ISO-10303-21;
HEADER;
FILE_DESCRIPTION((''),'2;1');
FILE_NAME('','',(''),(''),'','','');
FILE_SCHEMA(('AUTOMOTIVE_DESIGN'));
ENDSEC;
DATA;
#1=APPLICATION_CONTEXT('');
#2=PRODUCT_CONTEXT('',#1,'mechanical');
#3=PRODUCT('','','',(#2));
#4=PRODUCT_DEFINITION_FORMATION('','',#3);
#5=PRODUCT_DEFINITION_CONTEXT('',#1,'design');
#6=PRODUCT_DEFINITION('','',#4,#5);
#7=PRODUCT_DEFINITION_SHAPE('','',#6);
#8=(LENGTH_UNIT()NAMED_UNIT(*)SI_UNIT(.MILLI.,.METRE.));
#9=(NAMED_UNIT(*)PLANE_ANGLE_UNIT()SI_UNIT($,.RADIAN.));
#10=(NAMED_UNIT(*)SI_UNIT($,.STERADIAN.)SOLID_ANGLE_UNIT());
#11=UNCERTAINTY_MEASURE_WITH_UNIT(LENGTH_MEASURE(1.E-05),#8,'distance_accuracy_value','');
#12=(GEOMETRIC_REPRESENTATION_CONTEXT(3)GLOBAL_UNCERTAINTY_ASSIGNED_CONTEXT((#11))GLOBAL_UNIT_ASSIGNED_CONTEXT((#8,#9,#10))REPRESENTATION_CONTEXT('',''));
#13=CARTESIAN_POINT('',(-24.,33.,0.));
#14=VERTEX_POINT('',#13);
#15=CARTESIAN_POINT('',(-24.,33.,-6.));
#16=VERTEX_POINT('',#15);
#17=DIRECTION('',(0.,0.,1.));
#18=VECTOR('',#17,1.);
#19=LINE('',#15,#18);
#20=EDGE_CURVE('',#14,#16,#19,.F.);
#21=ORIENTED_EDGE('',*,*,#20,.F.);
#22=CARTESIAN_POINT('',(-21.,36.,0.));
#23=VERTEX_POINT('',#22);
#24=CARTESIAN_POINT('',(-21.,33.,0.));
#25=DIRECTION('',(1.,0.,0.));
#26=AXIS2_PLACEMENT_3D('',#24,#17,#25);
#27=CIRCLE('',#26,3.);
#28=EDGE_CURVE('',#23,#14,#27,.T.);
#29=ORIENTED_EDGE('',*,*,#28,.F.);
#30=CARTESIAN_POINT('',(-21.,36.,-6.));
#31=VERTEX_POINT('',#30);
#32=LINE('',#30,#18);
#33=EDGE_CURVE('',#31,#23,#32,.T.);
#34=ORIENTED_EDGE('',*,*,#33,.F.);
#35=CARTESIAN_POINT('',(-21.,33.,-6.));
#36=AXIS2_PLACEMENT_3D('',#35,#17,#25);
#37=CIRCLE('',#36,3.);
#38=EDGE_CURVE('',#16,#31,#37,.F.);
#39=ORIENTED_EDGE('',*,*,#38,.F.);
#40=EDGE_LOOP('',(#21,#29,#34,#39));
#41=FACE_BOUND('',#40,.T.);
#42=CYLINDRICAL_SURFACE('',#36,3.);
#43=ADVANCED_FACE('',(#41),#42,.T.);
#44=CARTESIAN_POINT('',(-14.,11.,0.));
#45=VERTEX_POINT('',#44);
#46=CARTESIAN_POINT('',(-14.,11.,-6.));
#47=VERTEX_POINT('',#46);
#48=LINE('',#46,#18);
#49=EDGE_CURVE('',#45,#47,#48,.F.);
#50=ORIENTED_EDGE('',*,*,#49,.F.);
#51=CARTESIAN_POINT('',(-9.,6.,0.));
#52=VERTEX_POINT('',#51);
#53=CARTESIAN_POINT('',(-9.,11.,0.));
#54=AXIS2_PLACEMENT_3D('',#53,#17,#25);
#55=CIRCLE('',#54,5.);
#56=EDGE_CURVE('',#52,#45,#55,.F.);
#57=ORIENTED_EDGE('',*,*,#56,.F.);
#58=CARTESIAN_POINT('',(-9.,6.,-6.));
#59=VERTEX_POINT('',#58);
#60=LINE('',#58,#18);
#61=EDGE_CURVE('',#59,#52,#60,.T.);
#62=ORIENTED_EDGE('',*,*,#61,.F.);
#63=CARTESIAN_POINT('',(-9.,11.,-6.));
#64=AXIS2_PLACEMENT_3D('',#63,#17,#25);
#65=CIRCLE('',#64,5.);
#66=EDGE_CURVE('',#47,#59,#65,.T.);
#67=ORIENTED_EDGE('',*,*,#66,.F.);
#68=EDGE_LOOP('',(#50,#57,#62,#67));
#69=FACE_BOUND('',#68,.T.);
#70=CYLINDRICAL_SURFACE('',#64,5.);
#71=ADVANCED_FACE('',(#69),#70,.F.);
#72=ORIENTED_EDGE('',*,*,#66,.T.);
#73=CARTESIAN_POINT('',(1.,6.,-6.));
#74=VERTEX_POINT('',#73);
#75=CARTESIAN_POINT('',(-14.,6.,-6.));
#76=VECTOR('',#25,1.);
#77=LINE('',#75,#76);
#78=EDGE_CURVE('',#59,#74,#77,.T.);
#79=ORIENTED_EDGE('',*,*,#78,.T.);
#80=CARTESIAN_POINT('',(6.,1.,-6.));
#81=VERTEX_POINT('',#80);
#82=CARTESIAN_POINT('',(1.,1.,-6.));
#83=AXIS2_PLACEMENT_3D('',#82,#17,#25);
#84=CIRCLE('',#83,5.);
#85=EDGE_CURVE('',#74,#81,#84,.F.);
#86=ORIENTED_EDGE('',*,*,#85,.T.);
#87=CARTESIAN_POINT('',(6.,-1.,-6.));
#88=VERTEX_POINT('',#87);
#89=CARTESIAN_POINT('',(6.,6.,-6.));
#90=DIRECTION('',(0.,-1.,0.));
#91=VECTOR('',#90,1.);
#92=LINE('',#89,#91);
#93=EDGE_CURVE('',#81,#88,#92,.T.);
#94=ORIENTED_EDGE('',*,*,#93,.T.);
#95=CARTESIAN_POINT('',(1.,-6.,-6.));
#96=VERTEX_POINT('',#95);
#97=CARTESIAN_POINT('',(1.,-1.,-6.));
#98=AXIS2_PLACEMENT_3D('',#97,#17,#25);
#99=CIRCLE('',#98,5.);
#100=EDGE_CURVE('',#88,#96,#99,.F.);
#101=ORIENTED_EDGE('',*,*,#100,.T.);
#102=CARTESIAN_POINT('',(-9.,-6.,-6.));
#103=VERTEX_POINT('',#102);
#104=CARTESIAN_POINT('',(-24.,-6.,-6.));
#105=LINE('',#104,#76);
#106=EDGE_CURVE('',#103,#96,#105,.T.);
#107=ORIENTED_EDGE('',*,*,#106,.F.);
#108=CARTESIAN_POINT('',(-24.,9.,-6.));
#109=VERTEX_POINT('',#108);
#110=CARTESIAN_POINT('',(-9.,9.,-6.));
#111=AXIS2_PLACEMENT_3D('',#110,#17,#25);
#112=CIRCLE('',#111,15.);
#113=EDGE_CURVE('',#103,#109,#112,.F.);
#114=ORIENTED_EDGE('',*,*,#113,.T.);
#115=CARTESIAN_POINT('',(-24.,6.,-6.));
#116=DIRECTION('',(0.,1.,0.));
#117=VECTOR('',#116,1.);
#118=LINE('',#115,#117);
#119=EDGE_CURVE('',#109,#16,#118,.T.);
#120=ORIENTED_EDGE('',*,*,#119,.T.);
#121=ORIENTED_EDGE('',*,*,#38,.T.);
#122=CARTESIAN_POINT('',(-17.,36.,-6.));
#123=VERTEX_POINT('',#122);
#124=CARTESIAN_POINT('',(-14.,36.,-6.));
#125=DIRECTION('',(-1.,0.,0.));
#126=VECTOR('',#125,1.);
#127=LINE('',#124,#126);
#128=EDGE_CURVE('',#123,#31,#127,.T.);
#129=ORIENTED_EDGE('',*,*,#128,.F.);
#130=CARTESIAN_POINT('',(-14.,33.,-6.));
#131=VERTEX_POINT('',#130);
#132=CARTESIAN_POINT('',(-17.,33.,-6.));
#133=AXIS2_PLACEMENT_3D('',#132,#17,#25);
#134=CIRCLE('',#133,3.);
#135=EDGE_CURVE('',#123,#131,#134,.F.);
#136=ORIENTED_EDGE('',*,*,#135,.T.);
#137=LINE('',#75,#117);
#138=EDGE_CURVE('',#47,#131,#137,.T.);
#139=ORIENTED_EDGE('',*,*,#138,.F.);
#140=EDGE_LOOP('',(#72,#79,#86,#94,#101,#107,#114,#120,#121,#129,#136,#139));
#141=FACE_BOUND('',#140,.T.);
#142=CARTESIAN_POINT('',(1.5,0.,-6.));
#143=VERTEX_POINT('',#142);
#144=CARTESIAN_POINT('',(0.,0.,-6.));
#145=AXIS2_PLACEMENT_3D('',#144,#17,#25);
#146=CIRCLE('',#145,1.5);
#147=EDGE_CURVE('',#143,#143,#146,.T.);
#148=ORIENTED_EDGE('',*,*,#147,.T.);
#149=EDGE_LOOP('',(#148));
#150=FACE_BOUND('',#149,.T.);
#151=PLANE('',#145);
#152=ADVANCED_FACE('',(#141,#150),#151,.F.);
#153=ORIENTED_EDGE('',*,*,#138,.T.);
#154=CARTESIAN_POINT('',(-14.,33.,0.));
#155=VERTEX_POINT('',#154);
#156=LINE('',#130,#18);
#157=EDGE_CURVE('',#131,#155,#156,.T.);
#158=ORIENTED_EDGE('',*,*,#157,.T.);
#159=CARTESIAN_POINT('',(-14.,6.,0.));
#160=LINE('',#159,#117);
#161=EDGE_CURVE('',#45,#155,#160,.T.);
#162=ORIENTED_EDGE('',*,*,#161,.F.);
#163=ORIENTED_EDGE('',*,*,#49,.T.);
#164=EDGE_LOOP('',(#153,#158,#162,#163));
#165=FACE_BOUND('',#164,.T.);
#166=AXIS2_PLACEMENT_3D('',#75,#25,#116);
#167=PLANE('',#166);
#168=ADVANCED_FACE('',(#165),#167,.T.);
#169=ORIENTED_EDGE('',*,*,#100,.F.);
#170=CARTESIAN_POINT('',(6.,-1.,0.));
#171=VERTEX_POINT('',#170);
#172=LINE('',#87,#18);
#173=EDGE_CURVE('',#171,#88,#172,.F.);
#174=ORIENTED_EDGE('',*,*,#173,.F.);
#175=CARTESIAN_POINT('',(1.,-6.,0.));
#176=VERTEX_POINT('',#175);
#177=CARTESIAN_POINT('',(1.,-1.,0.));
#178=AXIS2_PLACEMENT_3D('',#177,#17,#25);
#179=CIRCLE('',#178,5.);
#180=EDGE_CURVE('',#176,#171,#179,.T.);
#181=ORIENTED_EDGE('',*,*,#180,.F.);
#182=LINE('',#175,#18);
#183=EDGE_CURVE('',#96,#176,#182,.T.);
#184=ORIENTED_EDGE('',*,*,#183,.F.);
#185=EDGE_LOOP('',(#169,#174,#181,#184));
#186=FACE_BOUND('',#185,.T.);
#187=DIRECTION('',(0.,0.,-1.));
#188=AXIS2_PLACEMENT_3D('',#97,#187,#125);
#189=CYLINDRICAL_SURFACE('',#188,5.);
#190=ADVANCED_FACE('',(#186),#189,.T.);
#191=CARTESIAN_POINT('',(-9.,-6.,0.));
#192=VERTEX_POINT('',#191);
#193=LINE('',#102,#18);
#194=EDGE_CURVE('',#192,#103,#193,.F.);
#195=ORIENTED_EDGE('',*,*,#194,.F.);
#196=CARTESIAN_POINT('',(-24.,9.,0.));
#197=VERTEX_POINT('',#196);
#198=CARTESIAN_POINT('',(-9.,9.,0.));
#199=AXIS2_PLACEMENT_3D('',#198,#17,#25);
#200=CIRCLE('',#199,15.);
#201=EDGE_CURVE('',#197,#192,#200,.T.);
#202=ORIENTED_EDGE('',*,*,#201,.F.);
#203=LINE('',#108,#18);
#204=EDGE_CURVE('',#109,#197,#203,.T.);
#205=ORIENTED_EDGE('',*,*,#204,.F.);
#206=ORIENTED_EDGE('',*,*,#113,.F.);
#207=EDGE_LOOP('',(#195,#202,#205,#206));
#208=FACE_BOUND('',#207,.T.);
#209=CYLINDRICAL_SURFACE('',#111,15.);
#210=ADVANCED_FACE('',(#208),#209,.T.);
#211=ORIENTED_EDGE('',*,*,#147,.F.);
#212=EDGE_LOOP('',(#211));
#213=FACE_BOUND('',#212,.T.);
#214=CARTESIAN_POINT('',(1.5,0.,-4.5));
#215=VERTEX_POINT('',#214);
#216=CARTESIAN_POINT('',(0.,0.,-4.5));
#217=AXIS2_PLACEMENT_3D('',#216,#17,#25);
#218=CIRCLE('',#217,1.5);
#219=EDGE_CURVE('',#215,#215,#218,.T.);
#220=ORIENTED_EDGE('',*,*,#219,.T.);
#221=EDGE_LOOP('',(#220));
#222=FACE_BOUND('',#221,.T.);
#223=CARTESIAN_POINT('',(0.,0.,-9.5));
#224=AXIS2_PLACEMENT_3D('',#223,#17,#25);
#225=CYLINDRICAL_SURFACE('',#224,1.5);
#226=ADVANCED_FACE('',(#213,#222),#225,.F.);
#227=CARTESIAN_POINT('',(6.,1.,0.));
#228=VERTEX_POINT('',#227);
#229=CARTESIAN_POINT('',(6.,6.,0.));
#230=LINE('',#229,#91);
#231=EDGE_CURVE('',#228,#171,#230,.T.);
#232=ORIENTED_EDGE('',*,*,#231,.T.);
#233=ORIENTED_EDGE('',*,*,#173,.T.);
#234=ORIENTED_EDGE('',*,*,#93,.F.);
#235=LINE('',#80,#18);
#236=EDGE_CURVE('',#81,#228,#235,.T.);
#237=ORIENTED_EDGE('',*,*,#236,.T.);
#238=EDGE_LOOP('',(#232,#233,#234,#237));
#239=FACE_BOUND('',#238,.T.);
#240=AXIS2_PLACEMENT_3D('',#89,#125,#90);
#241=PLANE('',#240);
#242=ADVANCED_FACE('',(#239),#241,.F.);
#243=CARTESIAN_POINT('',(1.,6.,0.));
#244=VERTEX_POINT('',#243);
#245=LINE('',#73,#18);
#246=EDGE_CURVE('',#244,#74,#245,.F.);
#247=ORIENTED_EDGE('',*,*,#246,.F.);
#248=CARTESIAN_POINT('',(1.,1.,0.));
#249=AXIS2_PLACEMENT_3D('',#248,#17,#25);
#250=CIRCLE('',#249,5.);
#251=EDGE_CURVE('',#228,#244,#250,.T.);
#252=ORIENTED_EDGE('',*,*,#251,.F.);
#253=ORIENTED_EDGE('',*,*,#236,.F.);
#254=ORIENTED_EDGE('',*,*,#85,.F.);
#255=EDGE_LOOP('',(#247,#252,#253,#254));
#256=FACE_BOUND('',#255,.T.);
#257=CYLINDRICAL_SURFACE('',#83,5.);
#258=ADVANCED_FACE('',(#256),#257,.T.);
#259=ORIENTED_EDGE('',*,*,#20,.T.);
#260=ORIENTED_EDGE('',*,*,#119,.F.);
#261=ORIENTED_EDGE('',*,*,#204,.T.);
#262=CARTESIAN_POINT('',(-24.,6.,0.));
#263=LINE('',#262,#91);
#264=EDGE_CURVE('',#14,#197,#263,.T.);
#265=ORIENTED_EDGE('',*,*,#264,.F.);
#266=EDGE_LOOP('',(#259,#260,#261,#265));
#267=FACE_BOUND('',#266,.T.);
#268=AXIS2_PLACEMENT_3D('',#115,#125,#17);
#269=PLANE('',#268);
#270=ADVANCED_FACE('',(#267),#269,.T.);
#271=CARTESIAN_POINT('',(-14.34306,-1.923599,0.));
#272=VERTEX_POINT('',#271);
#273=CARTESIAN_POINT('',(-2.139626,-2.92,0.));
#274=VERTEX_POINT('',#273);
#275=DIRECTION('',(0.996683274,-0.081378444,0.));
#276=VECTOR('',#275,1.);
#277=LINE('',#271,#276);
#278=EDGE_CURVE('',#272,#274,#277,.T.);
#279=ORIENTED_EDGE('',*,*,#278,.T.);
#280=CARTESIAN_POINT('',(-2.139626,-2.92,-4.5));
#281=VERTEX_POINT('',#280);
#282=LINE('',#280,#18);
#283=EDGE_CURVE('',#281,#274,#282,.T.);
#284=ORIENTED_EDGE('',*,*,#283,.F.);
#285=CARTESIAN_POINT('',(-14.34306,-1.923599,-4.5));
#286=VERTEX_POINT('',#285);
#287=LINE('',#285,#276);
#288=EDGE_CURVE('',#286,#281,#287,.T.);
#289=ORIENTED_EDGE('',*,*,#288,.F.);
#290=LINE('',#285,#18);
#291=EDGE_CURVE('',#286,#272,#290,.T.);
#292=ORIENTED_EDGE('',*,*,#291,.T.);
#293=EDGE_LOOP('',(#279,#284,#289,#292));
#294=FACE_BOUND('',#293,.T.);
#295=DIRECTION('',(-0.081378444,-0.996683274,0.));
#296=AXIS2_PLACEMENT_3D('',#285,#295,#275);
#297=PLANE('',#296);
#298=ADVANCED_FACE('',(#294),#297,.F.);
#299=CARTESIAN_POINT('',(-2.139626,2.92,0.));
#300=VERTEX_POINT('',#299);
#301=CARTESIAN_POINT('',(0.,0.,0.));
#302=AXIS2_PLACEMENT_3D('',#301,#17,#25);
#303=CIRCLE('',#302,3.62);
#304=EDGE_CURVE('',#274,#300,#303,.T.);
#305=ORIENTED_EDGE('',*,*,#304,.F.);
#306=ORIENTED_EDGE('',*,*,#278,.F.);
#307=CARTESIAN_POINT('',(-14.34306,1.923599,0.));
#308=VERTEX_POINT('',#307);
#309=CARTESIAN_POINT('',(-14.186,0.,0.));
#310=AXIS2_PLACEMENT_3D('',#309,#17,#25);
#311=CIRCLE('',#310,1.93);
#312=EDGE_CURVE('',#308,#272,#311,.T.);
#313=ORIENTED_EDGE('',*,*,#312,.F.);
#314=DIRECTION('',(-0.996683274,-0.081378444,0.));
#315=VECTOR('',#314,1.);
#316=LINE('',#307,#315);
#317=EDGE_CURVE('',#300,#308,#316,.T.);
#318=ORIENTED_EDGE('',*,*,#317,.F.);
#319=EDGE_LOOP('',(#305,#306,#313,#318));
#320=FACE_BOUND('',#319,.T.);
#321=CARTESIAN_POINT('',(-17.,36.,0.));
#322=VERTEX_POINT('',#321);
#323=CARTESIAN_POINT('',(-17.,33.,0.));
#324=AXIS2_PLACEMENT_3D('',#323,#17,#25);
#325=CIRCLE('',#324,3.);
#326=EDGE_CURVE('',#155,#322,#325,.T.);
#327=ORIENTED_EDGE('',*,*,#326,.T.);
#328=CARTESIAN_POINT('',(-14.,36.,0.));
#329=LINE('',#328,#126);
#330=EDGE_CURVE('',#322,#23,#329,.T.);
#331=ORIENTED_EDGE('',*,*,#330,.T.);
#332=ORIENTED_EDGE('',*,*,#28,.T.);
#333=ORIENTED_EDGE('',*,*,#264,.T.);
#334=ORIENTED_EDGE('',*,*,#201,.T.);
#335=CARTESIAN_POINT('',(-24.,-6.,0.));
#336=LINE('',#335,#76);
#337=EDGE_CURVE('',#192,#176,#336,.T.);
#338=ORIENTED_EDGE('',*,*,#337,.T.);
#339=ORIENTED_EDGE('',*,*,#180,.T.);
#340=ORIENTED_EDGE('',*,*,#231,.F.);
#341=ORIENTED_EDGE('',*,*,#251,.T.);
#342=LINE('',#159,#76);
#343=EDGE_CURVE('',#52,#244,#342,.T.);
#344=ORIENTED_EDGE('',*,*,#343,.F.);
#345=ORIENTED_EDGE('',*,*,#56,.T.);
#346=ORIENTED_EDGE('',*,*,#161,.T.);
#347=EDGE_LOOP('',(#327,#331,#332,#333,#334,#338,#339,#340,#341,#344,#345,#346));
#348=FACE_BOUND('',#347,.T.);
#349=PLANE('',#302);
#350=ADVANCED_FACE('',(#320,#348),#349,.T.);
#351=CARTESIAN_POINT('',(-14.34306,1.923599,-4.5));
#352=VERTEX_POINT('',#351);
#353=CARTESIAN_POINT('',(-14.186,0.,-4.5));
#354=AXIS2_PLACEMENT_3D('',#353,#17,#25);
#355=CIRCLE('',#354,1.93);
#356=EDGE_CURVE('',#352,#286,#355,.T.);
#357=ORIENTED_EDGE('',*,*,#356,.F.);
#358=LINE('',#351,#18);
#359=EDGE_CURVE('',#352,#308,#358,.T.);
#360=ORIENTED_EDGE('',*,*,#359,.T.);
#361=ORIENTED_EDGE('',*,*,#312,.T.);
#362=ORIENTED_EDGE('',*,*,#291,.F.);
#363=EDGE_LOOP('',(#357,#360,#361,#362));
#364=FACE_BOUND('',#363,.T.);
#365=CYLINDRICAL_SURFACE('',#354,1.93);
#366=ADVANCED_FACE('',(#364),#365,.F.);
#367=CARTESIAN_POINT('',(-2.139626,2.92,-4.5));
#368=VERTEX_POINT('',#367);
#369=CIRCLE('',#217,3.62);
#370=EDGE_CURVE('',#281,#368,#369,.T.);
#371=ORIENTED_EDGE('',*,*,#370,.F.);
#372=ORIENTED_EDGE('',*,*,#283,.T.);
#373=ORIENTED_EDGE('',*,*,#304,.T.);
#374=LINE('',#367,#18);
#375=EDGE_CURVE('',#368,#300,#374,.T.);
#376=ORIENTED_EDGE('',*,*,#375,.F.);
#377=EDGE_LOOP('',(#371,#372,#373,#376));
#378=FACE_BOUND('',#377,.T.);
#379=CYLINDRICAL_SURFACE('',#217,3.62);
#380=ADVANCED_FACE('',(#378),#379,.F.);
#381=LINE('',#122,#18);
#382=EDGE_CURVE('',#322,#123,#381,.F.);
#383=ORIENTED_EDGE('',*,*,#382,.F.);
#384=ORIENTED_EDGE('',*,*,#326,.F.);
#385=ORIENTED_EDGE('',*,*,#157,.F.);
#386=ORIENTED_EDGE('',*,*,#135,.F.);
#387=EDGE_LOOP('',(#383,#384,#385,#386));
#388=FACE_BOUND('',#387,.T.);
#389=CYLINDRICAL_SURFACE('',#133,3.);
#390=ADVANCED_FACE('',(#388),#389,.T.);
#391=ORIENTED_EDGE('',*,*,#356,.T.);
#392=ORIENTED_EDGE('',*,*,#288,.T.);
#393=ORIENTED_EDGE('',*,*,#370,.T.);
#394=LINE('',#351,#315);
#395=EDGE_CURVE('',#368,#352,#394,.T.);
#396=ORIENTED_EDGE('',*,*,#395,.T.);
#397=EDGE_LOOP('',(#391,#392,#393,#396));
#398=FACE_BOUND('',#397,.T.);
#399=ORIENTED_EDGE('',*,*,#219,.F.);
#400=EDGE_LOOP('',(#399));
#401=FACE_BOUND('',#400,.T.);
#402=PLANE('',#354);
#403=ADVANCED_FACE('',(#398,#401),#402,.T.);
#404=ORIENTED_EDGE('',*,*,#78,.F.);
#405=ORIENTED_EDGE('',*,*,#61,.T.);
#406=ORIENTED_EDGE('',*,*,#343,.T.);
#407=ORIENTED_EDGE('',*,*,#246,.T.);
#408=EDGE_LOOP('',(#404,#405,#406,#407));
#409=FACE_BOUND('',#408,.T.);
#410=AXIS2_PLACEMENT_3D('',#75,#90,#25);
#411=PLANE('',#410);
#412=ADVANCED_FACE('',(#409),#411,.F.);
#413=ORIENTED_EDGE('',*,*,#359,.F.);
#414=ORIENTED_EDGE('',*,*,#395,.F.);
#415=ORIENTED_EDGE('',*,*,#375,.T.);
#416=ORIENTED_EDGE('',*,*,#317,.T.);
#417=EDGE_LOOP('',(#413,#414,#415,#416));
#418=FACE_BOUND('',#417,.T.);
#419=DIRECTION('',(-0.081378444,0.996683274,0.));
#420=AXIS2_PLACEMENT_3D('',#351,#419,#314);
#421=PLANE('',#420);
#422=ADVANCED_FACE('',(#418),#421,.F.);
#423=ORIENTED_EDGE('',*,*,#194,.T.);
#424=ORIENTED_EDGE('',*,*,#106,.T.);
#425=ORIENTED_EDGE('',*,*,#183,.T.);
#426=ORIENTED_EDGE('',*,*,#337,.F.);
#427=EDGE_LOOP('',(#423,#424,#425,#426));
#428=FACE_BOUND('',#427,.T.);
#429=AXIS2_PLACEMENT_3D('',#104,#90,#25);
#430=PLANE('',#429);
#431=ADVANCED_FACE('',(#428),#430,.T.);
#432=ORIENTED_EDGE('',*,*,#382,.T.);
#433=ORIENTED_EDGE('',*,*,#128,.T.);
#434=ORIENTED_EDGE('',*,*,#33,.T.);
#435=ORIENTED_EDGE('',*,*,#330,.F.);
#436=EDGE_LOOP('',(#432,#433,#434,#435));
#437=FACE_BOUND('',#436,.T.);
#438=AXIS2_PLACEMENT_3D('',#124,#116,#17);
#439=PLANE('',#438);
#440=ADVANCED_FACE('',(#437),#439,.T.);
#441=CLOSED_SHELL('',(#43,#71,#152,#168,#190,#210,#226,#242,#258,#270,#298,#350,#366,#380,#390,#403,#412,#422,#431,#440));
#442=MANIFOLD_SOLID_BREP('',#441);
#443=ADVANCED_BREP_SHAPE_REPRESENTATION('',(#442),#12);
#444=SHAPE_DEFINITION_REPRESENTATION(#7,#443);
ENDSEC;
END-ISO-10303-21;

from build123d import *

# Parameters (mm, degrees)
BOSS_EXTRUDE1_DEPTH = 6
FILLET1_R           = 5
FILLET2_R           = 15
FILLET3_R           = 5
FILLET4_R           = 5
FILLET5_R           = 3
FILLET6_R           = 3
CUT_EXTRUDE1_DEPTH  = 4.5
SKETCH3_R           = 1.5
CUT_EXTRUDE2_DEPTH  = 5


with BuildPart() as part:
    # Sketch2 → Boss-Extrude1 (new body)
    with BuildSketch(Plane.XY):
        Polygon((-14, 6), (6, 6), (6, -6), (-24, -6), (-24, 6), (-24, 36), (-14, 36), align=None)
    extrude(amount=-BOSS_EXTRUDE1_DEPTH)

    # Fillet1
    fillet1_edges = [part.edges().sort_by_distance(p)[0] for p in [
        (-14, 6, -3),
    ]]
    fillet(fillet1_edges, radius=FILLET1_R)

    # Fillet2
    fillet2_edges = [part.edges().sort_by_distance(p)[0] for p in [
        (-24, -6, -3),
    ]]
    fillet(fillet2_edges, radius=FILLET2_R)

    # Fillet3
    fillet3_edges = [part.edges().sort_by_distance(p)[0] for p in [
        (6, 6, -3),
    ]]
    fillet(fillet3_edges, radius=FILLET3_R)

    # Fillet4
    fillet4_edges = [part.edges().sort_by_distance(p)[0] for p in [
        (6, -6, -3),
    ]]
    fillet(fillet4_edges, radius=FILLET4_R)

    # Fillet5
    fillet5_edges = [part.edges().sort_by_distance(p)[0] for p in [
        (-14, 36, -3),
    ]]
    fillet(fillet5_edges, radius=FILLET5_R)

    # Fillet6
    fillet6_edges = [part.edges().sort_by_distance(p)[0] for p in [
        (-24, 36, -3),
    ]]
    fillet(fillet6_edges, radius=FILLET6_R)

    # Sketch1 → Cut-Extrude1 (cut)
    with BuildSketch(Plane.XY):
        with BuildLine():
            Line((-14.343060397, 1.923598719), (-2.139626136, 2.92))
            ThreePointArc((-2.139626136, 2.92), (3.62, 0), (-2.139626136, -2.92))
            Line((-2.139626136, -2.92), (-14.343060397, -1.923598719))
            ThreePointArc((-14.343060397, -1.923598719), (-16.116, 0), (-14.343060397, 1.923598719))
        make_face()
    extrude(amount=-CUT_EXTRUDE1_DEPTH, mode=Mode.SUBTRACT)

    # Sketch3 → Cut-Extrude2 (cut)
    with BuildSketch(Plane.XY.offset(-4.5)):
        Circle(SKETCH3_R)
    extrude(amount=-CUT_EXTRUDE2_DEPTH, mode=Mode.SUBTRACT)


solid = part.part
